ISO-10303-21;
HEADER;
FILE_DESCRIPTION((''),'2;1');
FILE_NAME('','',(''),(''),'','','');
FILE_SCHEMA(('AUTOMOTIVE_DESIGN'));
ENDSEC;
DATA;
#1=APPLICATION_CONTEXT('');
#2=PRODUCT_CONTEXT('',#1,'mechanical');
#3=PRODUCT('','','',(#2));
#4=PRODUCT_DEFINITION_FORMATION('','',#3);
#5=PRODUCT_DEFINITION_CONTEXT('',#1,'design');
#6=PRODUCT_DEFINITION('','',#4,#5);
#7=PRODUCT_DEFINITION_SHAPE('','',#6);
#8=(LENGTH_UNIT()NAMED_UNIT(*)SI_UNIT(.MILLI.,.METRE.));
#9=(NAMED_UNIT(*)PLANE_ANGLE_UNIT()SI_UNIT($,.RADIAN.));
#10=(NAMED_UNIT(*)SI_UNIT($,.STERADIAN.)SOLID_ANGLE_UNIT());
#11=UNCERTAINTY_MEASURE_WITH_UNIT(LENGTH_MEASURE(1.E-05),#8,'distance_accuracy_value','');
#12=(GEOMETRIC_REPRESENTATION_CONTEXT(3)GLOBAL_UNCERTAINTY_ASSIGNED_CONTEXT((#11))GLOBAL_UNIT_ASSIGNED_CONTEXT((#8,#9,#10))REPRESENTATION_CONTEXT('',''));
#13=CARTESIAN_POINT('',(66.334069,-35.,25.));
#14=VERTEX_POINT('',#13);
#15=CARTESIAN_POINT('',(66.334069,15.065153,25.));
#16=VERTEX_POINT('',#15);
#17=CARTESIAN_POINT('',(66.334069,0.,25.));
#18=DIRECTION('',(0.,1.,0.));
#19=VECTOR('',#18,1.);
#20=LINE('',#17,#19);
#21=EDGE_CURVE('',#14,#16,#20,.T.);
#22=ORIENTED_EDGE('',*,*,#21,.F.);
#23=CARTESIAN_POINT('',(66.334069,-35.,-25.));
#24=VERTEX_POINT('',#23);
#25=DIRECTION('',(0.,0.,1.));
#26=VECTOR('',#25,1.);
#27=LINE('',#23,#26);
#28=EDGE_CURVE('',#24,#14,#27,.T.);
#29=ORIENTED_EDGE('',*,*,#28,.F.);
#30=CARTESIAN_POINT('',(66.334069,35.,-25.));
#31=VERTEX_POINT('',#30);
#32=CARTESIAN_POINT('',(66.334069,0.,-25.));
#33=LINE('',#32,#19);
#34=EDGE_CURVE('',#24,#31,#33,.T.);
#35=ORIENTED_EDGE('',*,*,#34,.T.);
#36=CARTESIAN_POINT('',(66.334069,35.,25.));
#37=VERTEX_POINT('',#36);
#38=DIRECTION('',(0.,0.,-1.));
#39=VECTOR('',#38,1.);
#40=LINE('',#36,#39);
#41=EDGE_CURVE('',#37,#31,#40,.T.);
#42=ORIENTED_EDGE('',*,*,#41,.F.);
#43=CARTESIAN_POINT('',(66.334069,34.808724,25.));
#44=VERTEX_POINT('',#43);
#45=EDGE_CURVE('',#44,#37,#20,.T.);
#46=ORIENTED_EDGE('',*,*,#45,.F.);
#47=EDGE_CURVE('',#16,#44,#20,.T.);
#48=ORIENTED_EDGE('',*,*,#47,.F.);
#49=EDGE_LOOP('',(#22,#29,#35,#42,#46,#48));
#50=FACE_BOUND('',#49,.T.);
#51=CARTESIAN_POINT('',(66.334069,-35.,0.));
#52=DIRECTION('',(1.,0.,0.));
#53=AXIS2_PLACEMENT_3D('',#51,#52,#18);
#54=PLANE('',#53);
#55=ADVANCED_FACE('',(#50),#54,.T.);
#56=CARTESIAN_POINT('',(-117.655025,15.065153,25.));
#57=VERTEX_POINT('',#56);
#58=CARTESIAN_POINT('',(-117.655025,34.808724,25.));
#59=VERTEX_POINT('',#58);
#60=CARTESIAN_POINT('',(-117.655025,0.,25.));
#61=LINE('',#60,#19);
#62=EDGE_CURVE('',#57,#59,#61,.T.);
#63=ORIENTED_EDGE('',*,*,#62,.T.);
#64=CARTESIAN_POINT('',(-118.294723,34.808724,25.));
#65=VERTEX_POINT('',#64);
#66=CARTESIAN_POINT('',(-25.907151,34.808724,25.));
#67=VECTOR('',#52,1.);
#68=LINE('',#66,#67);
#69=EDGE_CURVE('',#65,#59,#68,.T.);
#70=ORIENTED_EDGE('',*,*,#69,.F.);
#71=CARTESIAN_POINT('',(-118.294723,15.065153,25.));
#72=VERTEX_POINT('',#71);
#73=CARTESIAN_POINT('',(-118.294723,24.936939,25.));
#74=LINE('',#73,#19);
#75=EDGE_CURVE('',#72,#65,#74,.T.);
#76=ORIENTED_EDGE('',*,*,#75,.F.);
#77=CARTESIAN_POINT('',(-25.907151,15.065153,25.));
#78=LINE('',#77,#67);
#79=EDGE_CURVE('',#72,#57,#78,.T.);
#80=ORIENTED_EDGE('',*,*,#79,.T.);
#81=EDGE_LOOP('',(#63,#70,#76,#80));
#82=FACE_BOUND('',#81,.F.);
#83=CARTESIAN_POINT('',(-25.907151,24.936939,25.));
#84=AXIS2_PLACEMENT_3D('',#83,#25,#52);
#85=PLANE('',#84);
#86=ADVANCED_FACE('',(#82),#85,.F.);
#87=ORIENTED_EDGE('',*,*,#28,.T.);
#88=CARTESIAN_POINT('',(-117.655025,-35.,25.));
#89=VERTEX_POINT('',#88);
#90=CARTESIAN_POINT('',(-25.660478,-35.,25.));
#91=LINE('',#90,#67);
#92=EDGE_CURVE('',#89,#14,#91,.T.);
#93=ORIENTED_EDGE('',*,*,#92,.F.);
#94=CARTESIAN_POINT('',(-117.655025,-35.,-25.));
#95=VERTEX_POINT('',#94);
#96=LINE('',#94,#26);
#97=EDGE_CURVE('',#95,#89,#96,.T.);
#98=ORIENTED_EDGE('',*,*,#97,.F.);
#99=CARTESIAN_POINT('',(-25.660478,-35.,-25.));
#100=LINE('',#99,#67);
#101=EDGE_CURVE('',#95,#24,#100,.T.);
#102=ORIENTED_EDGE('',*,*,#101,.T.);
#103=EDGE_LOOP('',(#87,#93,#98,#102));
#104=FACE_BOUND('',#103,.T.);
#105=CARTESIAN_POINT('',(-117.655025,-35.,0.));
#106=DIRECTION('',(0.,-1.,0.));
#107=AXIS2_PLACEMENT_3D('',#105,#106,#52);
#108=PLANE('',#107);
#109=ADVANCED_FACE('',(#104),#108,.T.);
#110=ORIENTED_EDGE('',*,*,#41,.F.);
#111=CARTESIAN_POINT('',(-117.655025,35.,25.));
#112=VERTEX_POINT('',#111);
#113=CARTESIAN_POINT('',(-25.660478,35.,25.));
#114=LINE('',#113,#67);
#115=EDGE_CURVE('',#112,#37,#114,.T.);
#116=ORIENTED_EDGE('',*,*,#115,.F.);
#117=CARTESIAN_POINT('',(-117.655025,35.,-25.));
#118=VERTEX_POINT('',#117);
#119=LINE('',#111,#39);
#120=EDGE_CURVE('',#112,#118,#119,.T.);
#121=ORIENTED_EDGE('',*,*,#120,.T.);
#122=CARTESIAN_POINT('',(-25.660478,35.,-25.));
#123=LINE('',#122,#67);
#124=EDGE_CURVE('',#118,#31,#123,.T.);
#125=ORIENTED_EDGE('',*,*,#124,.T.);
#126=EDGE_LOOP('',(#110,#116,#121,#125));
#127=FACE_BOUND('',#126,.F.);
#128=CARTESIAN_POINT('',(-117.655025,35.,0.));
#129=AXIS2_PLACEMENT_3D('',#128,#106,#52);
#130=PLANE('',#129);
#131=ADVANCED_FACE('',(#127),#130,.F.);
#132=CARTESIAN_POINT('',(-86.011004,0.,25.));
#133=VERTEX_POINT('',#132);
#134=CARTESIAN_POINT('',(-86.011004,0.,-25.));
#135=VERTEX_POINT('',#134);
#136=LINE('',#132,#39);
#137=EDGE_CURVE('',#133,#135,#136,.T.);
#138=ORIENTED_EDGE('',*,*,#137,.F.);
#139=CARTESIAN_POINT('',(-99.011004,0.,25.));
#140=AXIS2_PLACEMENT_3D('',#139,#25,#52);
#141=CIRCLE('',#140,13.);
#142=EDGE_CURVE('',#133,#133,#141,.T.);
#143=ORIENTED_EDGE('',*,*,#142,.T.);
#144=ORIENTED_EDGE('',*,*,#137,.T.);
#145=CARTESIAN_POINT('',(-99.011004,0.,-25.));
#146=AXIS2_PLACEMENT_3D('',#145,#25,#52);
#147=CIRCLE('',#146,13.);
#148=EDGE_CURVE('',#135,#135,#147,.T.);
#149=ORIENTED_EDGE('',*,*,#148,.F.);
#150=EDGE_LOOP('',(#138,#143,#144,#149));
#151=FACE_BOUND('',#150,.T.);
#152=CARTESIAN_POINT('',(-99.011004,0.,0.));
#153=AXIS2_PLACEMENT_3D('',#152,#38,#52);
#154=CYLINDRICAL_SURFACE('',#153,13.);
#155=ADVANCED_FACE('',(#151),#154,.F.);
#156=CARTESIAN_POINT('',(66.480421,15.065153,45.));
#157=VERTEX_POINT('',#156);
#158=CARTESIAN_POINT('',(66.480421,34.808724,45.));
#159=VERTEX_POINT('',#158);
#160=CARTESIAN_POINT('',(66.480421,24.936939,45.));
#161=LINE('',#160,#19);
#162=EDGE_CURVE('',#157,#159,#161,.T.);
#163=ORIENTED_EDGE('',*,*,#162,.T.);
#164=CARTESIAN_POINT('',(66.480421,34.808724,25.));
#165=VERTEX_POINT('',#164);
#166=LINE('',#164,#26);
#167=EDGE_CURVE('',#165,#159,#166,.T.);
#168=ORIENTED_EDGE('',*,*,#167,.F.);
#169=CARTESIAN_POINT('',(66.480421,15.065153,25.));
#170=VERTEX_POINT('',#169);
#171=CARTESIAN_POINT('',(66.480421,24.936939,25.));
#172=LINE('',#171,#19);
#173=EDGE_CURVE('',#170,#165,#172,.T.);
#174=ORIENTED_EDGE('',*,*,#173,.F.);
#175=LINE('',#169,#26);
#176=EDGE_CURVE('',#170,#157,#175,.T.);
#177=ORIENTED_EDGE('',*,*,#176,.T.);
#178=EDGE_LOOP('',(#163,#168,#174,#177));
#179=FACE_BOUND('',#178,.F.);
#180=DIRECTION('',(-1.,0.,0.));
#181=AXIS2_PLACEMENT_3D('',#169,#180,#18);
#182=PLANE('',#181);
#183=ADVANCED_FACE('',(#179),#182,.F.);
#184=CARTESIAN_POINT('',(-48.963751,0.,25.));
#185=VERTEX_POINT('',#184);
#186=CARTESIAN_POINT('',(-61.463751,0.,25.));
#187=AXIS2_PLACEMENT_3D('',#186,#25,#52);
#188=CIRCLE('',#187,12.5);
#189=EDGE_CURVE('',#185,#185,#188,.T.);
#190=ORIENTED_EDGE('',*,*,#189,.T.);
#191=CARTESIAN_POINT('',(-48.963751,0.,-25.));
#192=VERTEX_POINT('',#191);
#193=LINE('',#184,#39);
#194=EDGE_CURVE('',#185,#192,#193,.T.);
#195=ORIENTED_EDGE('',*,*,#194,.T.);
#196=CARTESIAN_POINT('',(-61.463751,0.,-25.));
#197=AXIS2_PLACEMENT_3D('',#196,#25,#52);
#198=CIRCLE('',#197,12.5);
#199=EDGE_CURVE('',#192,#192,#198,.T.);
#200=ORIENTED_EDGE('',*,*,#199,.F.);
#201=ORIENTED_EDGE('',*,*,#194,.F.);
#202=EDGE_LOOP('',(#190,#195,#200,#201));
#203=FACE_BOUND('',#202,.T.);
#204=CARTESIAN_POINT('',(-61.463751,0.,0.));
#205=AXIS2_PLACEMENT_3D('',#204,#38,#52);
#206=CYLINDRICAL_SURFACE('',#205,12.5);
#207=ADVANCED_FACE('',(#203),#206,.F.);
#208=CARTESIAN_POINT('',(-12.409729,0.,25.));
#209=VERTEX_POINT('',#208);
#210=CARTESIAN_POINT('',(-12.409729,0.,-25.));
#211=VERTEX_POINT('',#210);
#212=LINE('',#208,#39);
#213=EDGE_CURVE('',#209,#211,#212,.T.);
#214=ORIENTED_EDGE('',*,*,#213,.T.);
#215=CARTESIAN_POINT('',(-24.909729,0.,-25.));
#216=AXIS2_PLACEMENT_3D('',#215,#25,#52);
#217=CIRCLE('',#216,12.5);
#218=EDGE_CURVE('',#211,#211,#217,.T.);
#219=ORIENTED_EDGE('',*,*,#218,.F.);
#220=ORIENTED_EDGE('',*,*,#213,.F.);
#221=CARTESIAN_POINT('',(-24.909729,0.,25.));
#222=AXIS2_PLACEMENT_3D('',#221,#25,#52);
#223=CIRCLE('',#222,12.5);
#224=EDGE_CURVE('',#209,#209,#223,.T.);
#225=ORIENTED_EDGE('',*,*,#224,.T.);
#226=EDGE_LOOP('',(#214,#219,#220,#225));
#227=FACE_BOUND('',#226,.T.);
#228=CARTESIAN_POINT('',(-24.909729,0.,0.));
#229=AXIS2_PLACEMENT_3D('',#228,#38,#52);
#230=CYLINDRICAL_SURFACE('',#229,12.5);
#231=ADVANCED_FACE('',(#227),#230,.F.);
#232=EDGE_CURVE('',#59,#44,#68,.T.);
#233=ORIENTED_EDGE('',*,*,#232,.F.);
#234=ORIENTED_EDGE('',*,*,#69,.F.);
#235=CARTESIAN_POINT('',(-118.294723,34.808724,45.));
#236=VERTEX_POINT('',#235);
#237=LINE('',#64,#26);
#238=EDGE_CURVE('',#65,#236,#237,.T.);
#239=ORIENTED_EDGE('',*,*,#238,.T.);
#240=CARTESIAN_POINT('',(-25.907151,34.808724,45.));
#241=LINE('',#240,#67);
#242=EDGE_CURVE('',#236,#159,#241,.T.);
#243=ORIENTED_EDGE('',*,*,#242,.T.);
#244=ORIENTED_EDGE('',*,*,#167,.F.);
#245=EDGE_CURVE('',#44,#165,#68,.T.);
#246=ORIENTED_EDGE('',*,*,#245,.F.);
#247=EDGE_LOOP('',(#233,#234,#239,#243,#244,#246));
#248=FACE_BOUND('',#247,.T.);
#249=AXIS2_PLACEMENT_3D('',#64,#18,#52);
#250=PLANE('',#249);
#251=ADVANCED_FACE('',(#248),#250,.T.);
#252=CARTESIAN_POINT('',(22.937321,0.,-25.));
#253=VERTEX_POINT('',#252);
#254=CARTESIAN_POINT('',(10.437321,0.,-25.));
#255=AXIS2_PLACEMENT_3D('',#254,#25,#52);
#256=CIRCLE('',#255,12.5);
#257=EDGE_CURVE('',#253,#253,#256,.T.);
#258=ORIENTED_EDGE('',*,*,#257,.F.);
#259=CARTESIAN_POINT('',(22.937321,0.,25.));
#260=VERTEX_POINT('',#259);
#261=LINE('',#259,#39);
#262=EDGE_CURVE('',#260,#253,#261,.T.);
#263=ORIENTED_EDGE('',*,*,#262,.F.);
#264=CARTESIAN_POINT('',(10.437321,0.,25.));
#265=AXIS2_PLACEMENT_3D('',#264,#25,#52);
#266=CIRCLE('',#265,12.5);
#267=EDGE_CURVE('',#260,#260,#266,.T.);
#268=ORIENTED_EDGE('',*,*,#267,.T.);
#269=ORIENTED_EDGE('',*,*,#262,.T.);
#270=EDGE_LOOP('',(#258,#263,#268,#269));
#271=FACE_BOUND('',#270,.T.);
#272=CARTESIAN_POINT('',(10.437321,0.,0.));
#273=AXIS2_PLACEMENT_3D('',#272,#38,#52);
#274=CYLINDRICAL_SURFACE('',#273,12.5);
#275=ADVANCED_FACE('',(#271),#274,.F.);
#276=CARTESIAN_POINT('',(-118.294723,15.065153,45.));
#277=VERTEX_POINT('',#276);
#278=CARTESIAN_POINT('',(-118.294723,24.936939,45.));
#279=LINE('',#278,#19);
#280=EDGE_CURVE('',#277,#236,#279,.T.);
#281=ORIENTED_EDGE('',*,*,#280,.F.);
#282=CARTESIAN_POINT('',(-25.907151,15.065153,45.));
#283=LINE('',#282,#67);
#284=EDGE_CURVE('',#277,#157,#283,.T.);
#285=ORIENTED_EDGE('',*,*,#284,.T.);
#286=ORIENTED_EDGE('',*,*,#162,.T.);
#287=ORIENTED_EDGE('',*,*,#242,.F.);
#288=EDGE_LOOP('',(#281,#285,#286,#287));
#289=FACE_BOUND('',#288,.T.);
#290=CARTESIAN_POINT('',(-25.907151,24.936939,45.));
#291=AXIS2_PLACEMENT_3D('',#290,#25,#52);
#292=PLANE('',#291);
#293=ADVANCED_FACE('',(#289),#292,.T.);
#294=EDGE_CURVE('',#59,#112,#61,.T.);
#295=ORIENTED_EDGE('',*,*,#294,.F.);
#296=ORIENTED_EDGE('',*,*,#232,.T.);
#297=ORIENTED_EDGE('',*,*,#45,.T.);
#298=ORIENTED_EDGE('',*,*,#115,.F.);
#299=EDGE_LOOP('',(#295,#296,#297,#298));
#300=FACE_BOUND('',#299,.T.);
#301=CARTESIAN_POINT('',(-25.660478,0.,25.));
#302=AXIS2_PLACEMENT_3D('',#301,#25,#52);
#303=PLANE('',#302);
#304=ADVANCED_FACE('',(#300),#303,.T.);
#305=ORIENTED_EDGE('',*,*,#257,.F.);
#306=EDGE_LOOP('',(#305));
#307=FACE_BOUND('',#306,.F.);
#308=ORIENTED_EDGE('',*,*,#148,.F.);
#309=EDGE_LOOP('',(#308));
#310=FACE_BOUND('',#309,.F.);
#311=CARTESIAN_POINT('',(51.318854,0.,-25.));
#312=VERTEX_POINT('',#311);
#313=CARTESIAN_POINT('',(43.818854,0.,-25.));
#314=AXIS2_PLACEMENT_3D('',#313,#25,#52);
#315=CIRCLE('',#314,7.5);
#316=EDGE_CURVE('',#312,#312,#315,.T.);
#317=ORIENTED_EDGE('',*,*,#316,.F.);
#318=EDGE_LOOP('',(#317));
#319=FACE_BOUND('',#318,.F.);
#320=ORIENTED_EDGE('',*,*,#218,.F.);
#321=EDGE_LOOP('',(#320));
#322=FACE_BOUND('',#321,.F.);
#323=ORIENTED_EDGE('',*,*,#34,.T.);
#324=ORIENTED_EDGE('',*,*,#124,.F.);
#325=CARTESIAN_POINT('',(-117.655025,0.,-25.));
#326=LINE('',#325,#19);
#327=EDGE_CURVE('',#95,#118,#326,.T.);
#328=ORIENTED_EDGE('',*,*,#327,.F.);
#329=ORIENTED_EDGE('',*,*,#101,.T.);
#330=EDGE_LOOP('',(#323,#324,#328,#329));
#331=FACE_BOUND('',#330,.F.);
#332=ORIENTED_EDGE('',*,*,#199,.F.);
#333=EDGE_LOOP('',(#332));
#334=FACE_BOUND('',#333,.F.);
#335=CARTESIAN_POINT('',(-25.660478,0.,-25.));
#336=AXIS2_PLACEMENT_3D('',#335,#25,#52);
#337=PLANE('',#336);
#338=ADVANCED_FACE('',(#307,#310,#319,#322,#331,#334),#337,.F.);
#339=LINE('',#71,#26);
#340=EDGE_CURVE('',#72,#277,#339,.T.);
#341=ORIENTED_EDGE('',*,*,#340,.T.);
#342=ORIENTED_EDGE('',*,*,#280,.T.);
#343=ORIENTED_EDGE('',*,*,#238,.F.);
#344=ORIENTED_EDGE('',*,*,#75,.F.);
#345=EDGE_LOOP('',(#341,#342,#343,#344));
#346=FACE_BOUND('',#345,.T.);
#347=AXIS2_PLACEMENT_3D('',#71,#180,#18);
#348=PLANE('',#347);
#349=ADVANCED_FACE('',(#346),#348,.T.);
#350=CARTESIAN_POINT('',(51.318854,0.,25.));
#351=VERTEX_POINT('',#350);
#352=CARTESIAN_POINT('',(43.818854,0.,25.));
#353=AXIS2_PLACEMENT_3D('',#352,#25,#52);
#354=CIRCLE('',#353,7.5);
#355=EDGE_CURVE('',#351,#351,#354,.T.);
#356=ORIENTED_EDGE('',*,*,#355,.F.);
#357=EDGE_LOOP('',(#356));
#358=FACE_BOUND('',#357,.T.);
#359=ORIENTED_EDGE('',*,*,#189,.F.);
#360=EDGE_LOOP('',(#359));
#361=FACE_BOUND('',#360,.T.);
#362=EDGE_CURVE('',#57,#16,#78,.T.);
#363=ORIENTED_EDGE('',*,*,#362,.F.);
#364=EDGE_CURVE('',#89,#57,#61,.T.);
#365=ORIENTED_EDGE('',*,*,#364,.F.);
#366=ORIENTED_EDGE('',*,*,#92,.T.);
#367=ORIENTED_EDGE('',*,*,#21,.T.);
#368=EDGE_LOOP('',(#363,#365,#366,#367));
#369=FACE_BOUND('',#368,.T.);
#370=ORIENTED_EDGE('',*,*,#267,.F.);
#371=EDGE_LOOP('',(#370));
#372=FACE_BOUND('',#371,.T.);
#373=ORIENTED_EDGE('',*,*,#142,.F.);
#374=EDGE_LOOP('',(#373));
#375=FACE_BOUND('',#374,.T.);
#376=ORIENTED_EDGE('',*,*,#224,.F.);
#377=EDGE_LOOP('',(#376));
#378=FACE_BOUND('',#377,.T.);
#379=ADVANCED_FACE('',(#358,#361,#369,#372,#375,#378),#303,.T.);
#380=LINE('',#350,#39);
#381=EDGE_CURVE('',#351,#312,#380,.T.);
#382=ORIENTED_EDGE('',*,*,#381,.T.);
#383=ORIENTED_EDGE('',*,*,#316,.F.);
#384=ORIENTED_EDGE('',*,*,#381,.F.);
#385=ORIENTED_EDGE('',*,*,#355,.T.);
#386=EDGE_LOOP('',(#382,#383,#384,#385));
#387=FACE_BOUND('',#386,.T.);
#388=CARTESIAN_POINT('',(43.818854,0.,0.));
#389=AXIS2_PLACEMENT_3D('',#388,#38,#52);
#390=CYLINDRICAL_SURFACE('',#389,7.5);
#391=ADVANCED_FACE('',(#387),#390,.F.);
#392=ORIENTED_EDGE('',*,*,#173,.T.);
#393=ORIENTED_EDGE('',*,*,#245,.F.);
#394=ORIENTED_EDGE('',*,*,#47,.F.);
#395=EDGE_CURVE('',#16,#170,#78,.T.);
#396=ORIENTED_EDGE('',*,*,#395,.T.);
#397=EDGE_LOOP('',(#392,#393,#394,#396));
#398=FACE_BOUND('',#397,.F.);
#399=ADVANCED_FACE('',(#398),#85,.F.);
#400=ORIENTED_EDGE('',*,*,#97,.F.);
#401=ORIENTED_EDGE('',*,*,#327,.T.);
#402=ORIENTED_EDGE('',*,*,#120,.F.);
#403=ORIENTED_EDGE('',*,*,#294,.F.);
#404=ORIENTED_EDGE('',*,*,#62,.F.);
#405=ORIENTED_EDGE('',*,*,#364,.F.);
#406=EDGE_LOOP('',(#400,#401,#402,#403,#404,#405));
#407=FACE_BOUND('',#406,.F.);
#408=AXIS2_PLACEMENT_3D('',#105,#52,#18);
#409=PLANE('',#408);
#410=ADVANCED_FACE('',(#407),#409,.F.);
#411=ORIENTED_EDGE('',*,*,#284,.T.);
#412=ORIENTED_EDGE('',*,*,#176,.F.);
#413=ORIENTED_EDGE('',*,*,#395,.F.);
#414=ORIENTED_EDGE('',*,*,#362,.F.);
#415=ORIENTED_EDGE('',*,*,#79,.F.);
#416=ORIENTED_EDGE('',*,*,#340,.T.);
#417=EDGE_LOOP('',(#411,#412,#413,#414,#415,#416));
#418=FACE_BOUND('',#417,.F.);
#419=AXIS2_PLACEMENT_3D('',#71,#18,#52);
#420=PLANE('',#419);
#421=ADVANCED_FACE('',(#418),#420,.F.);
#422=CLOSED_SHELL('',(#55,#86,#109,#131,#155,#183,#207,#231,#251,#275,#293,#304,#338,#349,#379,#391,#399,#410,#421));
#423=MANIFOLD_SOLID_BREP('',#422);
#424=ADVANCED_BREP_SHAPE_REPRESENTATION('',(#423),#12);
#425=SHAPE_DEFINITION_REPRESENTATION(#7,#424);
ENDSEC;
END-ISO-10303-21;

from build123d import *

# Parameters (mm, degrees)
F0_W     = 183.989095
F0_H     = 70
F0_R     = 13
F0_R_2   = 12.5
F0_R_3   = 7.5
F1_DEPTH = 25
F3_W     = 184.775144
F3_H     = 19.743571
F4_DEPTH = 20


with BuildPart() as f1:
    # F0 (on Top) → F1 (new body, symmetric)
    with BuildSketch(Plane.XY):
        with Locations((-25.660478, 0)):
            Rectangle(F0_W, F0_H)
        with Locations((-99.011004, 0)):
            Circle(F0_R, mode=Mode.SUBTRACT)
        with Locations((-61.463751, 0)):
            Circle(F0_R_2, mode=Mode.SUBTRACT)
        with Locations((-24.909729, 0)):
            Circle(F0_R_2, mode=Mode.SUBTRACT)
        with Locations((10.437321, 0)):
            Circle(F0_R_2, mode=Mode.SUBTRACT)
        with Locations((43.818854, 0)):
            Circle(F0_R_3, mode=Mode.SUBTRACT)
    extrude(amount=F1_DEPTH, both=True)

    # F3 (on face) → F4 (join)
    with BuildSketch(Plane.XY.offset(25)):
        with Locations((-25.907151, 24.936939)):
            Rectangle(F3_W, F3_H)
    extrude(amount=F4_DEPTH)


solid = f1.part
